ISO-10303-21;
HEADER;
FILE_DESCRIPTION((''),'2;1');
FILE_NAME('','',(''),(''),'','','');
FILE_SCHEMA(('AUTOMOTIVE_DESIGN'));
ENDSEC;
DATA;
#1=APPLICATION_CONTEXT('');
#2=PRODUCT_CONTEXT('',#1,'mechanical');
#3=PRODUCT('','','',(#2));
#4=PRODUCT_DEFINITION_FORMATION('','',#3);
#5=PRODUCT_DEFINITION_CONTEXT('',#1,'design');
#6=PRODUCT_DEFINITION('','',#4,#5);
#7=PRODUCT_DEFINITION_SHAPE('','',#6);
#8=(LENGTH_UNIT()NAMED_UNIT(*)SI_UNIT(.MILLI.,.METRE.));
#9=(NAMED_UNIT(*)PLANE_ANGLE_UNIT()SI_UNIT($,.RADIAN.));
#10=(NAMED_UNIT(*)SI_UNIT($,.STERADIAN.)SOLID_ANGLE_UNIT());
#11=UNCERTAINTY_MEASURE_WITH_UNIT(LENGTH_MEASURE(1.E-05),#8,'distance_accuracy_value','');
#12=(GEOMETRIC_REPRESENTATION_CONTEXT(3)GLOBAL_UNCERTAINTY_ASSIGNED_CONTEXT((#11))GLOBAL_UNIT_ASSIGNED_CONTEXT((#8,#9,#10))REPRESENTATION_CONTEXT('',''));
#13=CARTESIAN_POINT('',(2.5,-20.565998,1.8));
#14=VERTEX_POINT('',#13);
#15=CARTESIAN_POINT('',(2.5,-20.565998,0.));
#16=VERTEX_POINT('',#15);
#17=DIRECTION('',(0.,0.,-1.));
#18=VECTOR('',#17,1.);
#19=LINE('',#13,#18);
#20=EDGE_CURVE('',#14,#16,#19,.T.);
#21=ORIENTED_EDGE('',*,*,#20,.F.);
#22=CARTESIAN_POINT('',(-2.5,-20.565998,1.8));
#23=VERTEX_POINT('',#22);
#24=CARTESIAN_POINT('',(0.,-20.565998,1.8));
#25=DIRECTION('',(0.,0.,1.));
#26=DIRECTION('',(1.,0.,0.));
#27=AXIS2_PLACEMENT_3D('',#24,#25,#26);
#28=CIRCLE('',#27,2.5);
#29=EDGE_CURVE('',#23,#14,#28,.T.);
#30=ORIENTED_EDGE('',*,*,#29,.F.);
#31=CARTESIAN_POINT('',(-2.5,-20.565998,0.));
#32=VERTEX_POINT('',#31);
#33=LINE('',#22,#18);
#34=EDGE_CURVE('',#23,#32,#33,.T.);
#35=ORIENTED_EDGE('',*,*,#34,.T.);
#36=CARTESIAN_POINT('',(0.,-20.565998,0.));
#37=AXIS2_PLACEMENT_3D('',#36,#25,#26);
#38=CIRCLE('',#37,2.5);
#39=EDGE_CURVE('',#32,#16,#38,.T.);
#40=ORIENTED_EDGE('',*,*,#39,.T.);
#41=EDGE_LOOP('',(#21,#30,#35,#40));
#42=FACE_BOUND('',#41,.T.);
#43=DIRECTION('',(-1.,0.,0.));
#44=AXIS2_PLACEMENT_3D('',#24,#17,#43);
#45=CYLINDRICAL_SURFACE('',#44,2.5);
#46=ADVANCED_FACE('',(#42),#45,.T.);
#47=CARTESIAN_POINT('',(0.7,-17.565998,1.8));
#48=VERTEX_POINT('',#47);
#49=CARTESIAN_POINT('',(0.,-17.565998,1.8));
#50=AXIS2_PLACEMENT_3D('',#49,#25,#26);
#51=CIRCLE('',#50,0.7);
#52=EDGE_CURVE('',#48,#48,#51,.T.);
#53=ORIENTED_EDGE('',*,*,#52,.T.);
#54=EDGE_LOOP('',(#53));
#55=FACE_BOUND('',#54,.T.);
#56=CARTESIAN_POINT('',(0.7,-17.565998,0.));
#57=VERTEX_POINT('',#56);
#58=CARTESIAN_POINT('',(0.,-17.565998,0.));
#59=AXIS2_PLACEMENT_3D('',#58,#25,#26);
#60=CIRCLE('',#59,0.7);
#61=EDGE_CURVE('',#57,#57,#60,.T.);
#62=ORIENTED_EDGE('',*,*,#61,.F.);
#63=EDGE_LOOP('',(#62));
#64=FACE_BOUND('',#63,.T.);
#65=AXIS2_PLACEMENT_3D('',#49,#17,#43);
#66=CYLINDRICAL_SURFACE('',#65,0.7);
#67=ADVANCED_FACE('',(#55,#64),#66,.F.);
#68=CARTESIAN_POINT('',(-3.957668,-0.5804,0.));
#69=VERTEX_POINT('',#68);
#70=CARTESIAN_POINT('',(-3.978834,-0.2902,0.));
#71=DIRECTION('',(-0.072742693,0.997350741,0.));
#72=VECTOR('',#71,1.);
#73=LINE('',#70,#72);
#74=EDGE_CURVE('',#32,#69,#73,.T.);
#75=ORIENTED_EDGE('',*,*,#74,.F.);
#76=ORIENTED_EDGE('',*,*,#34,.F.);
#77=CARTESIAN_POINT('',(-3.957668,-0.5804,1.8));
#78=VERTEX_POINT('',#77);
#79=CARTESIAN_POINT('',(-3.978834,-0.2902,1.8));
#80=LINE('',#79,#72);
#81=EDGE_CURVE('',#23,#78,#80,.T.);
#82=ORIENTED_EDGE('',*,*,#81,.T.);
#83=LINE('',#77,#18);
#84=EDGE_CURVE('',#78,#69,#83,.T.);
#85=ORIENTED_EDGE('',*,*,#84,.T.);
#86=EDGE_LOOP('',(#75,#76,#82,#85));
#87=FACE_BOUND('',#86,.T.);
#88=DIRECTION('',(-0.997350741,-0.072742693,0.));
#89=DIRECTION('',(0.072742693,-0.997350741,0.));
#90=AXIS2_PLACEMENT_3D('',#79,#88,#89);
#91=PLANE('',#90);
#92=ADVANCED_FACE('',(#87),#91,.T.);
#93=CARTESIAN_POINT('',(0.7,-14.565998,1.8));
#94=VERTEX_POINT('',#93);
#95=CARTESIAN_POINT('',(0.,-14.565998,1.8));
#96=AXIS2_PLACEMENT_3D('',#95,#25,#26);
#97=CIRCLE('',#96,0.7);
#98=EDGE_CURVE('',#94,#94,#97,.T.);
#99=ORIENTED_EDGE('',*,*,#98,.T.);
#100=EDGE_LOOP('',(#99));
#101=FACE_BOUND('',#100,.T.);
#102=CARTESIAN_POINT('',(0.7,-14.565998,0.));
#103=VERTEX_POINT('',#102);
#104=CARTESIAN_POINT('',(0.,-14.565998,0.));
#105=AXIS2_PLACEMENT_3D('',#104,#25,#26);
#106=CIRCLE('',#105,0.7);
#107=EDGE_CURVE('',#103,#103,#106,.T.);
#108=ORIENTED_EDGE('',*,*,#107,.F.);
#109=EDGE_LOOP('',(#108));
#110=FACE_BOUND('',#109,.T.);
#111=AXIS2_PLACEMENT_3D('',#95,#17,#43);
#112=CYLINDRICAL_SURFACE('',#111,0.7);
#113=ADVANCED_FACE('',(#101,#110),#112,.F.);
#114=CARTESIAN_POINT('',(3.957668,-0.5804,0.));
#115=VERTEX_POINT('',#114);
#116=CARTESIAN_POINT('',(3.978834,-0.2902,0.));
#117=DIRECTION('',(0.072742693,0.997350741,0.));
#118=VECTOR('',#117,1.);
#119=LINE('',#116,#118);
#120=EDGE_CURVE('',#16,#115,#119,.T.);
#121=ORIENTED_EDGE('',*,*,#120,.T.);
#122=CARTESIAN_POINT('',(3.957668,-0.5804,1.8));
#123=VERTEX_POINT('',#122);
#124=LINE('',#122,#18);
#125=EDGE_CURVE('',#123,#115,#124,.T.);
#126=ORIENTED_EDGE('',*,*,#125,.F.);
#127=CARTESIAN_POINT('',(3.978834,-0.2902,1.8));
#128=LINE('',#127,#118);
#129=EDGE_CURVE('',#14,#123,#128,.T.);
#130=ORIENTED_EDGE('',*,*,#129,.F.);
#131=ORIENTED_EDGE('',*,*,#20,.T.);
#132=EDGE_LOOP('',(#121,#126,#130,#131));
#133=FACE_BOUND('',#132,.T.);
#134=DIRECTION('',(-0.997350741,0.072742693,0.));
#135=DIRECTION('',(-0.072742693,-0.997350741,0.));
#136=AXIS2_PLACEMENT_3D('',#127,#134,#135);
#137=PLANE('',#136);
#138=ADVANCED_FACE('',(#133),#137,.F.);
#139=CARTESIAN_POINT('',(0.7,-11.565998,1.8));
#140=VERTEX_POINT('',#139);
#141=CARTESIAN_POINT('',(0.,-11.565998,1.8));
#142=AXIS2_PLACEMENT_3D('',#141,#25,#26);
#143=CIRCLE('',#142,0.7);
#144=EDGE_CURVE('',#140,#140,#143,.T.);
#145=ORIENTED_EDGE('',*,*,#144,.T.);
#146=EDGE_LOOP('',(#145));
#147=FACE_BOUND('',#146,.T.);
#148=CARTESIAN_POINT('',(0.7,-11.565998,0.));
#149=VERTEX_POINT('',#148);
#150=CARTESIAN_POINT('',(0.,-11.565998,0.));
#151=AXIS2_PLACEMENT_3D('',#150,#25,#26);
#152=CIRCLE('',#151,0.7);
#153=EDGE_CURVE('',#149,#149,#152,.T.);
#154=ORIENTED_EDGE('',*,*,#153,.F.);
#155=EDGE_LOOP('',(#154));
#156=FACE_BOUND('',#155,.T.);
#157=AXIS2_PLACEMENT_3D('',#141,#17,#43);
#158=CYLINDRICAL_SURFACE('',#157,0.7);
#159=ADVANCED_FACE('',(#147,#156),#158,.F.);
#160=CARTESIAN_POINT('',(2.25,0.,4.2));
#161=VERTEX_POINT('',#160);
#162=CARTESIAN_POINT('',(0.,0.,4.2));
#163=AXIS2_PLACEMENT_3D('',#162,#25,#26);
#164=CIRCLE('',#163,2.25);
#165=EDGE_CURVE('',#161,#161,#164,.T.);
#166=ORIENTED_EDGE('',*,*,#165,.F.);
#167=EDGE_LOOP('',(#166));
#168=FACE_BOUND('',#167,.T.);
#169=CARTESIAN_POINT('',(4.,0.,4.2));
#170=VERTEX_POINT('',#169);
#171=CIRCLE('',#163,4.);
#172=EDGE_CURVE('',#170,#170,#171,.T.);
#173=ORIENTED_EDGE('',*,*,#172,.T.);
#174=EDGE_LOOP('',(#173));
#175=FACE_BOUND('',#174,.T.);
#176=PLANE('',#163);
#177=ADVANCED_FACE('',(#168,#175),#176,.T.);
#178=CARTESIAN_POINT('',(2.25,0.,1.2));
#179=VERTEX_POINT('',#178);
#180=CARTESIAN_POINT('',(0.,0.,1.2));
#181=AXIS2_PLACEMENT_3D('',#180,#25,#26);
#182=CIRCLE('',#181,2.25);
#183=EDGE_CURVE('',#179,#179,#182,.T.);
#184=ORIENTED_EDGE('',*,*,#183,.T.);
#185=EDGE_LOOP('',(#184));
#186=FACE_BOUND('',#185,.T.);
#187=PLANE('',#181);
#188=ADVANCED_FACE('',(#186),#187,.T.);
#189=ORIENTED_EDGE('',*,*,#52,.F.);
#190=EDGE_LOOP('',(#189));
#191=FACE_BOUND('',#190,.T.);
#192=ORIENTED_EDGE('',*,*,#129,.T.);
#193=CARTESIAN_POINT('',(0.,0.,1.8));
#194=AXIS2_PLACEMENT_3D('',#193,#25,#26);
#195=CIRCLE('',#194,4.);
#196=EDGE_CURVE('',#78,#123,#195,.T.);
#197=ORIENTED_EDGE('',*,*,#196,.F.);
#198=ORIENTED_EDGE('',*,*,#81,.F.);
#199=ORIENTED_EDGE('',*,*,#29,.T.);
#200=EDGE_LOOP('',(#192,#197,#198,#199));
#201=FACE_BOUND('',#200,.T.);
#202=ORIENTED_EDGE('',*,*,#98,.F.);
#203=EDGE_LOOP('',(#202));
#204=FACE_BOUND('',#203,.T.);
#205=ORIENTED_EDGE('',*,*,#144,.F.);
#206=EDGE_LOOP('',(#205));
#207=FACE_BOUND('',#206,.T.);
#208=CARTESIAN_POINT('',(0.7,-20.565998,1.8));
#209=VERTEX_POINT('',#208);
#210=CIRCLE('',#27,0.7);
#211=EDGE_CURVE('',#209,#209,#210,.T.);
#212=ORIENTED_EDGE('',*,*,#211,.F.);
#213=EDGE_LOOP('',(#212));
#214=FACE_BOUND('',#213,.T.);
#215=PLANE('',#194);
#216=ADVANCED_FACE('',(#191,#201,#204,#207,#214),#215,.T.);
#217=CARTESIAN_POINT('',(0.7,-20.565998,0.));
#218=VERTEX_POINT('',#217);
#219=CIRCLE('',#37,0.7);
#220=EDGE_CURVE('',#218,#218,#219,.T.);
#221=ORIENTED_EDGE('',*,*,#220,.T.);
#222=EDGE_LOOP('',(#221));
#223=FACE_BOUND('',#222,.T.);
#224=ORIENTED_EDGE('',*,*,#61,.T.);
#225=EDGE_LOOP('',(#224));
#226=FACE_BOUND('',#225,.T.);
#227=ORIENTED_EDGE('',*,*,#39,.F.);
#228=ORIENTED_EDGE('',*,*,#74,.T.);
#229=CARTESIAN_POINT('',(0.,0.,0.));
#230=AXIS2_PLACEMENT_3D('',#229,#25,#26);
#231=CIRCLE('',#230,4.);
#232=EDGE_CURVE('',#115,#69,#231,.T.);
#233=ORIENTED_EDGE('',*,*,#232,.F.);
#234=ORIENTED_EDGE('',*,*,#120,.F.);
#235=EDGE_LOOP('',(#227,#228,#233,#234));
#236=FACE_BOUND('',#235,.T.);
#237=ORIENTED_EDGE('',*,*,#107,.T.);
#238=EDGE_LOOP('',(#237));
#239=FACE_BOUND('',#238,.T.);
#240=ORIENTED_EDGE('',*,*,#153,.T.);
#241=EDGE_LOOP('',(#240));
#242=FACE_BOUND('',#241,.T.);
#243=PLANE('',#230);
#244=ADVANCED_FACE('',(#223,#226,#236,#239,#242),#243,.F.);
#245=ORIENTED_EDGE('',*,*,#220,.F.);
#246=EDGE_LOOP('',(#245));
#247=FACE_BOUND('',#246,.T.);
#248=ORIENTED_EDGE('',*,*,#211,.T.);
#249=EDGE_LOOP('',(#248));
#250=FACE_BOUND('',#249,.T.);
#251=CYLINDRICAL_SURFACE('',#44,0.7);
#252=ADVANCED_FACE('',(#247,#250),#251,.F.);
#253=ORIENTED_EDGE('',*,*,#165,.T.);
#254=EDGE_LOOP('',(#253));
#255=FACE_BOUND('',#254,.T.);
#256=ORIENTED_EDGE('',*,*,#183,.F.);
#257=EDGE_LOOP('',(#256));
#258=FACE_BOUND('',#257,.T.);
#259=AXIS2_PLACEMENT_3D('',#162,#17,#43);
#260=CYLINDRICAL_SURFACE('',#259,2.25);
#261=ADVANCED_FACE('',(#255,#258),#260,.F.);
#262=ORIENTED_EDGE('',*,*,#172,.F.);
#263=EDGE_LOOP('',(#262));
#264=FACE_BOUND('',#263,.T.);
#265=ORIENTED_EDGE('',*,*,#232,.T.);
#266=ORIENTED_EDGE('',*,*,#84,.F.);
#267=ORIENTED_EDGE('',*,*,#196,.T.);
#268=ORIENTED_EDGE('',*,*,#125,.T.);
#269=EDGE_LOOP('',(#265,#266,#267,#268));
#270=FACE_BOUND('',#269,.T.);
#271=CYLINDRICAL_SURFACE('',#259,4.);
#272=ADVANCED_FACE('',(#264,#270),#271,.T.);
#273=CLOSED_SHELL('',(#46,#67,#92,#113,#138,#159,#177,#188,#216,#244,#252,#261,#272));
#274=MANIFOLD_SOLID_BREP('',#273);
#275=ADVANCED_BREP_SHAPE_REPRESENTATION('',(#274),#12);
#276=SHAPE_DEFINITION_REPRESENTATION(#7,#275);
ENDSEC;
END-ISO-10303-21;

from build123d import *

# Parameters (mm, degrees)
ESBO_O1_R                = 4
ESBO_O1_R_2              = 2.25
RESSALTO_EXTRUS_O1_DEPTH = 4.2
ESBO_O3_R                = 0.7
RESSALTO_EXTRUS_O2_DEPTH = 1.8
ESBO_O4_R                = 2.5
RESSALTO_EXTRUS_O3_DEPTH = 1.2


with BuildPart() as part:
    # Esboço1 → Ressalto-extrusão1 (new body)
    with BuildSketch(Plane.XY):
        Circle(ESBO_O1_R)
        Circle(ESBO_O1_R_2, mode=Mode.SUBTRACT)
    extrude(amount=RESSALTO_EXTRUS_O1_DEPTH)

    # Esboço3 → Ressalto-extrusão2 (add)
    with BuildSketch(Plane.XY):
        with BuildLine():
            ThreePointArc((-2.5, -20.565998313), (0, -23.065998313), (2.5, -20.565998313))
            Line((2.5, -20.565998313), (3.957668004, -0.580399834))
            ThreePointArc((3.957668004, -0.580399834), (0, -4), (-3.957668004, -0.580399834))
            Line((-3.957668004, -0.580399834), (-2.5, -20.565998313))
        make_face()
        with Locations((0, -20.565998313)):
            Circle(ESBO_O3_R, mode=Mode.SUBTRACT)
        with Locations((0, -17.565998313)):
            Circle(ESBO_O3_R, mode=Mode.SUBTRACT)
        with Locations((0, -14.565998313)):
            Circle(ESBO_O3_R, mode=Mode.SUBTRACT)
        with Locations((0, -11.565998313)):
            Circle(ESBO_O3_R, mode=Mode.SUBTRACT)
    extrude(amount=RESSALTO_EXTRUS_O2_DEPTH)

    # Esboço4 → Ressalto-extrusão3 (add)
    with BuildSketch(Plane.XY):
        Circle(ESBO_O4_R)
    extrude(amount=RESSALTO_EXTRUS_O3_DEPTH)


solid = part.part
